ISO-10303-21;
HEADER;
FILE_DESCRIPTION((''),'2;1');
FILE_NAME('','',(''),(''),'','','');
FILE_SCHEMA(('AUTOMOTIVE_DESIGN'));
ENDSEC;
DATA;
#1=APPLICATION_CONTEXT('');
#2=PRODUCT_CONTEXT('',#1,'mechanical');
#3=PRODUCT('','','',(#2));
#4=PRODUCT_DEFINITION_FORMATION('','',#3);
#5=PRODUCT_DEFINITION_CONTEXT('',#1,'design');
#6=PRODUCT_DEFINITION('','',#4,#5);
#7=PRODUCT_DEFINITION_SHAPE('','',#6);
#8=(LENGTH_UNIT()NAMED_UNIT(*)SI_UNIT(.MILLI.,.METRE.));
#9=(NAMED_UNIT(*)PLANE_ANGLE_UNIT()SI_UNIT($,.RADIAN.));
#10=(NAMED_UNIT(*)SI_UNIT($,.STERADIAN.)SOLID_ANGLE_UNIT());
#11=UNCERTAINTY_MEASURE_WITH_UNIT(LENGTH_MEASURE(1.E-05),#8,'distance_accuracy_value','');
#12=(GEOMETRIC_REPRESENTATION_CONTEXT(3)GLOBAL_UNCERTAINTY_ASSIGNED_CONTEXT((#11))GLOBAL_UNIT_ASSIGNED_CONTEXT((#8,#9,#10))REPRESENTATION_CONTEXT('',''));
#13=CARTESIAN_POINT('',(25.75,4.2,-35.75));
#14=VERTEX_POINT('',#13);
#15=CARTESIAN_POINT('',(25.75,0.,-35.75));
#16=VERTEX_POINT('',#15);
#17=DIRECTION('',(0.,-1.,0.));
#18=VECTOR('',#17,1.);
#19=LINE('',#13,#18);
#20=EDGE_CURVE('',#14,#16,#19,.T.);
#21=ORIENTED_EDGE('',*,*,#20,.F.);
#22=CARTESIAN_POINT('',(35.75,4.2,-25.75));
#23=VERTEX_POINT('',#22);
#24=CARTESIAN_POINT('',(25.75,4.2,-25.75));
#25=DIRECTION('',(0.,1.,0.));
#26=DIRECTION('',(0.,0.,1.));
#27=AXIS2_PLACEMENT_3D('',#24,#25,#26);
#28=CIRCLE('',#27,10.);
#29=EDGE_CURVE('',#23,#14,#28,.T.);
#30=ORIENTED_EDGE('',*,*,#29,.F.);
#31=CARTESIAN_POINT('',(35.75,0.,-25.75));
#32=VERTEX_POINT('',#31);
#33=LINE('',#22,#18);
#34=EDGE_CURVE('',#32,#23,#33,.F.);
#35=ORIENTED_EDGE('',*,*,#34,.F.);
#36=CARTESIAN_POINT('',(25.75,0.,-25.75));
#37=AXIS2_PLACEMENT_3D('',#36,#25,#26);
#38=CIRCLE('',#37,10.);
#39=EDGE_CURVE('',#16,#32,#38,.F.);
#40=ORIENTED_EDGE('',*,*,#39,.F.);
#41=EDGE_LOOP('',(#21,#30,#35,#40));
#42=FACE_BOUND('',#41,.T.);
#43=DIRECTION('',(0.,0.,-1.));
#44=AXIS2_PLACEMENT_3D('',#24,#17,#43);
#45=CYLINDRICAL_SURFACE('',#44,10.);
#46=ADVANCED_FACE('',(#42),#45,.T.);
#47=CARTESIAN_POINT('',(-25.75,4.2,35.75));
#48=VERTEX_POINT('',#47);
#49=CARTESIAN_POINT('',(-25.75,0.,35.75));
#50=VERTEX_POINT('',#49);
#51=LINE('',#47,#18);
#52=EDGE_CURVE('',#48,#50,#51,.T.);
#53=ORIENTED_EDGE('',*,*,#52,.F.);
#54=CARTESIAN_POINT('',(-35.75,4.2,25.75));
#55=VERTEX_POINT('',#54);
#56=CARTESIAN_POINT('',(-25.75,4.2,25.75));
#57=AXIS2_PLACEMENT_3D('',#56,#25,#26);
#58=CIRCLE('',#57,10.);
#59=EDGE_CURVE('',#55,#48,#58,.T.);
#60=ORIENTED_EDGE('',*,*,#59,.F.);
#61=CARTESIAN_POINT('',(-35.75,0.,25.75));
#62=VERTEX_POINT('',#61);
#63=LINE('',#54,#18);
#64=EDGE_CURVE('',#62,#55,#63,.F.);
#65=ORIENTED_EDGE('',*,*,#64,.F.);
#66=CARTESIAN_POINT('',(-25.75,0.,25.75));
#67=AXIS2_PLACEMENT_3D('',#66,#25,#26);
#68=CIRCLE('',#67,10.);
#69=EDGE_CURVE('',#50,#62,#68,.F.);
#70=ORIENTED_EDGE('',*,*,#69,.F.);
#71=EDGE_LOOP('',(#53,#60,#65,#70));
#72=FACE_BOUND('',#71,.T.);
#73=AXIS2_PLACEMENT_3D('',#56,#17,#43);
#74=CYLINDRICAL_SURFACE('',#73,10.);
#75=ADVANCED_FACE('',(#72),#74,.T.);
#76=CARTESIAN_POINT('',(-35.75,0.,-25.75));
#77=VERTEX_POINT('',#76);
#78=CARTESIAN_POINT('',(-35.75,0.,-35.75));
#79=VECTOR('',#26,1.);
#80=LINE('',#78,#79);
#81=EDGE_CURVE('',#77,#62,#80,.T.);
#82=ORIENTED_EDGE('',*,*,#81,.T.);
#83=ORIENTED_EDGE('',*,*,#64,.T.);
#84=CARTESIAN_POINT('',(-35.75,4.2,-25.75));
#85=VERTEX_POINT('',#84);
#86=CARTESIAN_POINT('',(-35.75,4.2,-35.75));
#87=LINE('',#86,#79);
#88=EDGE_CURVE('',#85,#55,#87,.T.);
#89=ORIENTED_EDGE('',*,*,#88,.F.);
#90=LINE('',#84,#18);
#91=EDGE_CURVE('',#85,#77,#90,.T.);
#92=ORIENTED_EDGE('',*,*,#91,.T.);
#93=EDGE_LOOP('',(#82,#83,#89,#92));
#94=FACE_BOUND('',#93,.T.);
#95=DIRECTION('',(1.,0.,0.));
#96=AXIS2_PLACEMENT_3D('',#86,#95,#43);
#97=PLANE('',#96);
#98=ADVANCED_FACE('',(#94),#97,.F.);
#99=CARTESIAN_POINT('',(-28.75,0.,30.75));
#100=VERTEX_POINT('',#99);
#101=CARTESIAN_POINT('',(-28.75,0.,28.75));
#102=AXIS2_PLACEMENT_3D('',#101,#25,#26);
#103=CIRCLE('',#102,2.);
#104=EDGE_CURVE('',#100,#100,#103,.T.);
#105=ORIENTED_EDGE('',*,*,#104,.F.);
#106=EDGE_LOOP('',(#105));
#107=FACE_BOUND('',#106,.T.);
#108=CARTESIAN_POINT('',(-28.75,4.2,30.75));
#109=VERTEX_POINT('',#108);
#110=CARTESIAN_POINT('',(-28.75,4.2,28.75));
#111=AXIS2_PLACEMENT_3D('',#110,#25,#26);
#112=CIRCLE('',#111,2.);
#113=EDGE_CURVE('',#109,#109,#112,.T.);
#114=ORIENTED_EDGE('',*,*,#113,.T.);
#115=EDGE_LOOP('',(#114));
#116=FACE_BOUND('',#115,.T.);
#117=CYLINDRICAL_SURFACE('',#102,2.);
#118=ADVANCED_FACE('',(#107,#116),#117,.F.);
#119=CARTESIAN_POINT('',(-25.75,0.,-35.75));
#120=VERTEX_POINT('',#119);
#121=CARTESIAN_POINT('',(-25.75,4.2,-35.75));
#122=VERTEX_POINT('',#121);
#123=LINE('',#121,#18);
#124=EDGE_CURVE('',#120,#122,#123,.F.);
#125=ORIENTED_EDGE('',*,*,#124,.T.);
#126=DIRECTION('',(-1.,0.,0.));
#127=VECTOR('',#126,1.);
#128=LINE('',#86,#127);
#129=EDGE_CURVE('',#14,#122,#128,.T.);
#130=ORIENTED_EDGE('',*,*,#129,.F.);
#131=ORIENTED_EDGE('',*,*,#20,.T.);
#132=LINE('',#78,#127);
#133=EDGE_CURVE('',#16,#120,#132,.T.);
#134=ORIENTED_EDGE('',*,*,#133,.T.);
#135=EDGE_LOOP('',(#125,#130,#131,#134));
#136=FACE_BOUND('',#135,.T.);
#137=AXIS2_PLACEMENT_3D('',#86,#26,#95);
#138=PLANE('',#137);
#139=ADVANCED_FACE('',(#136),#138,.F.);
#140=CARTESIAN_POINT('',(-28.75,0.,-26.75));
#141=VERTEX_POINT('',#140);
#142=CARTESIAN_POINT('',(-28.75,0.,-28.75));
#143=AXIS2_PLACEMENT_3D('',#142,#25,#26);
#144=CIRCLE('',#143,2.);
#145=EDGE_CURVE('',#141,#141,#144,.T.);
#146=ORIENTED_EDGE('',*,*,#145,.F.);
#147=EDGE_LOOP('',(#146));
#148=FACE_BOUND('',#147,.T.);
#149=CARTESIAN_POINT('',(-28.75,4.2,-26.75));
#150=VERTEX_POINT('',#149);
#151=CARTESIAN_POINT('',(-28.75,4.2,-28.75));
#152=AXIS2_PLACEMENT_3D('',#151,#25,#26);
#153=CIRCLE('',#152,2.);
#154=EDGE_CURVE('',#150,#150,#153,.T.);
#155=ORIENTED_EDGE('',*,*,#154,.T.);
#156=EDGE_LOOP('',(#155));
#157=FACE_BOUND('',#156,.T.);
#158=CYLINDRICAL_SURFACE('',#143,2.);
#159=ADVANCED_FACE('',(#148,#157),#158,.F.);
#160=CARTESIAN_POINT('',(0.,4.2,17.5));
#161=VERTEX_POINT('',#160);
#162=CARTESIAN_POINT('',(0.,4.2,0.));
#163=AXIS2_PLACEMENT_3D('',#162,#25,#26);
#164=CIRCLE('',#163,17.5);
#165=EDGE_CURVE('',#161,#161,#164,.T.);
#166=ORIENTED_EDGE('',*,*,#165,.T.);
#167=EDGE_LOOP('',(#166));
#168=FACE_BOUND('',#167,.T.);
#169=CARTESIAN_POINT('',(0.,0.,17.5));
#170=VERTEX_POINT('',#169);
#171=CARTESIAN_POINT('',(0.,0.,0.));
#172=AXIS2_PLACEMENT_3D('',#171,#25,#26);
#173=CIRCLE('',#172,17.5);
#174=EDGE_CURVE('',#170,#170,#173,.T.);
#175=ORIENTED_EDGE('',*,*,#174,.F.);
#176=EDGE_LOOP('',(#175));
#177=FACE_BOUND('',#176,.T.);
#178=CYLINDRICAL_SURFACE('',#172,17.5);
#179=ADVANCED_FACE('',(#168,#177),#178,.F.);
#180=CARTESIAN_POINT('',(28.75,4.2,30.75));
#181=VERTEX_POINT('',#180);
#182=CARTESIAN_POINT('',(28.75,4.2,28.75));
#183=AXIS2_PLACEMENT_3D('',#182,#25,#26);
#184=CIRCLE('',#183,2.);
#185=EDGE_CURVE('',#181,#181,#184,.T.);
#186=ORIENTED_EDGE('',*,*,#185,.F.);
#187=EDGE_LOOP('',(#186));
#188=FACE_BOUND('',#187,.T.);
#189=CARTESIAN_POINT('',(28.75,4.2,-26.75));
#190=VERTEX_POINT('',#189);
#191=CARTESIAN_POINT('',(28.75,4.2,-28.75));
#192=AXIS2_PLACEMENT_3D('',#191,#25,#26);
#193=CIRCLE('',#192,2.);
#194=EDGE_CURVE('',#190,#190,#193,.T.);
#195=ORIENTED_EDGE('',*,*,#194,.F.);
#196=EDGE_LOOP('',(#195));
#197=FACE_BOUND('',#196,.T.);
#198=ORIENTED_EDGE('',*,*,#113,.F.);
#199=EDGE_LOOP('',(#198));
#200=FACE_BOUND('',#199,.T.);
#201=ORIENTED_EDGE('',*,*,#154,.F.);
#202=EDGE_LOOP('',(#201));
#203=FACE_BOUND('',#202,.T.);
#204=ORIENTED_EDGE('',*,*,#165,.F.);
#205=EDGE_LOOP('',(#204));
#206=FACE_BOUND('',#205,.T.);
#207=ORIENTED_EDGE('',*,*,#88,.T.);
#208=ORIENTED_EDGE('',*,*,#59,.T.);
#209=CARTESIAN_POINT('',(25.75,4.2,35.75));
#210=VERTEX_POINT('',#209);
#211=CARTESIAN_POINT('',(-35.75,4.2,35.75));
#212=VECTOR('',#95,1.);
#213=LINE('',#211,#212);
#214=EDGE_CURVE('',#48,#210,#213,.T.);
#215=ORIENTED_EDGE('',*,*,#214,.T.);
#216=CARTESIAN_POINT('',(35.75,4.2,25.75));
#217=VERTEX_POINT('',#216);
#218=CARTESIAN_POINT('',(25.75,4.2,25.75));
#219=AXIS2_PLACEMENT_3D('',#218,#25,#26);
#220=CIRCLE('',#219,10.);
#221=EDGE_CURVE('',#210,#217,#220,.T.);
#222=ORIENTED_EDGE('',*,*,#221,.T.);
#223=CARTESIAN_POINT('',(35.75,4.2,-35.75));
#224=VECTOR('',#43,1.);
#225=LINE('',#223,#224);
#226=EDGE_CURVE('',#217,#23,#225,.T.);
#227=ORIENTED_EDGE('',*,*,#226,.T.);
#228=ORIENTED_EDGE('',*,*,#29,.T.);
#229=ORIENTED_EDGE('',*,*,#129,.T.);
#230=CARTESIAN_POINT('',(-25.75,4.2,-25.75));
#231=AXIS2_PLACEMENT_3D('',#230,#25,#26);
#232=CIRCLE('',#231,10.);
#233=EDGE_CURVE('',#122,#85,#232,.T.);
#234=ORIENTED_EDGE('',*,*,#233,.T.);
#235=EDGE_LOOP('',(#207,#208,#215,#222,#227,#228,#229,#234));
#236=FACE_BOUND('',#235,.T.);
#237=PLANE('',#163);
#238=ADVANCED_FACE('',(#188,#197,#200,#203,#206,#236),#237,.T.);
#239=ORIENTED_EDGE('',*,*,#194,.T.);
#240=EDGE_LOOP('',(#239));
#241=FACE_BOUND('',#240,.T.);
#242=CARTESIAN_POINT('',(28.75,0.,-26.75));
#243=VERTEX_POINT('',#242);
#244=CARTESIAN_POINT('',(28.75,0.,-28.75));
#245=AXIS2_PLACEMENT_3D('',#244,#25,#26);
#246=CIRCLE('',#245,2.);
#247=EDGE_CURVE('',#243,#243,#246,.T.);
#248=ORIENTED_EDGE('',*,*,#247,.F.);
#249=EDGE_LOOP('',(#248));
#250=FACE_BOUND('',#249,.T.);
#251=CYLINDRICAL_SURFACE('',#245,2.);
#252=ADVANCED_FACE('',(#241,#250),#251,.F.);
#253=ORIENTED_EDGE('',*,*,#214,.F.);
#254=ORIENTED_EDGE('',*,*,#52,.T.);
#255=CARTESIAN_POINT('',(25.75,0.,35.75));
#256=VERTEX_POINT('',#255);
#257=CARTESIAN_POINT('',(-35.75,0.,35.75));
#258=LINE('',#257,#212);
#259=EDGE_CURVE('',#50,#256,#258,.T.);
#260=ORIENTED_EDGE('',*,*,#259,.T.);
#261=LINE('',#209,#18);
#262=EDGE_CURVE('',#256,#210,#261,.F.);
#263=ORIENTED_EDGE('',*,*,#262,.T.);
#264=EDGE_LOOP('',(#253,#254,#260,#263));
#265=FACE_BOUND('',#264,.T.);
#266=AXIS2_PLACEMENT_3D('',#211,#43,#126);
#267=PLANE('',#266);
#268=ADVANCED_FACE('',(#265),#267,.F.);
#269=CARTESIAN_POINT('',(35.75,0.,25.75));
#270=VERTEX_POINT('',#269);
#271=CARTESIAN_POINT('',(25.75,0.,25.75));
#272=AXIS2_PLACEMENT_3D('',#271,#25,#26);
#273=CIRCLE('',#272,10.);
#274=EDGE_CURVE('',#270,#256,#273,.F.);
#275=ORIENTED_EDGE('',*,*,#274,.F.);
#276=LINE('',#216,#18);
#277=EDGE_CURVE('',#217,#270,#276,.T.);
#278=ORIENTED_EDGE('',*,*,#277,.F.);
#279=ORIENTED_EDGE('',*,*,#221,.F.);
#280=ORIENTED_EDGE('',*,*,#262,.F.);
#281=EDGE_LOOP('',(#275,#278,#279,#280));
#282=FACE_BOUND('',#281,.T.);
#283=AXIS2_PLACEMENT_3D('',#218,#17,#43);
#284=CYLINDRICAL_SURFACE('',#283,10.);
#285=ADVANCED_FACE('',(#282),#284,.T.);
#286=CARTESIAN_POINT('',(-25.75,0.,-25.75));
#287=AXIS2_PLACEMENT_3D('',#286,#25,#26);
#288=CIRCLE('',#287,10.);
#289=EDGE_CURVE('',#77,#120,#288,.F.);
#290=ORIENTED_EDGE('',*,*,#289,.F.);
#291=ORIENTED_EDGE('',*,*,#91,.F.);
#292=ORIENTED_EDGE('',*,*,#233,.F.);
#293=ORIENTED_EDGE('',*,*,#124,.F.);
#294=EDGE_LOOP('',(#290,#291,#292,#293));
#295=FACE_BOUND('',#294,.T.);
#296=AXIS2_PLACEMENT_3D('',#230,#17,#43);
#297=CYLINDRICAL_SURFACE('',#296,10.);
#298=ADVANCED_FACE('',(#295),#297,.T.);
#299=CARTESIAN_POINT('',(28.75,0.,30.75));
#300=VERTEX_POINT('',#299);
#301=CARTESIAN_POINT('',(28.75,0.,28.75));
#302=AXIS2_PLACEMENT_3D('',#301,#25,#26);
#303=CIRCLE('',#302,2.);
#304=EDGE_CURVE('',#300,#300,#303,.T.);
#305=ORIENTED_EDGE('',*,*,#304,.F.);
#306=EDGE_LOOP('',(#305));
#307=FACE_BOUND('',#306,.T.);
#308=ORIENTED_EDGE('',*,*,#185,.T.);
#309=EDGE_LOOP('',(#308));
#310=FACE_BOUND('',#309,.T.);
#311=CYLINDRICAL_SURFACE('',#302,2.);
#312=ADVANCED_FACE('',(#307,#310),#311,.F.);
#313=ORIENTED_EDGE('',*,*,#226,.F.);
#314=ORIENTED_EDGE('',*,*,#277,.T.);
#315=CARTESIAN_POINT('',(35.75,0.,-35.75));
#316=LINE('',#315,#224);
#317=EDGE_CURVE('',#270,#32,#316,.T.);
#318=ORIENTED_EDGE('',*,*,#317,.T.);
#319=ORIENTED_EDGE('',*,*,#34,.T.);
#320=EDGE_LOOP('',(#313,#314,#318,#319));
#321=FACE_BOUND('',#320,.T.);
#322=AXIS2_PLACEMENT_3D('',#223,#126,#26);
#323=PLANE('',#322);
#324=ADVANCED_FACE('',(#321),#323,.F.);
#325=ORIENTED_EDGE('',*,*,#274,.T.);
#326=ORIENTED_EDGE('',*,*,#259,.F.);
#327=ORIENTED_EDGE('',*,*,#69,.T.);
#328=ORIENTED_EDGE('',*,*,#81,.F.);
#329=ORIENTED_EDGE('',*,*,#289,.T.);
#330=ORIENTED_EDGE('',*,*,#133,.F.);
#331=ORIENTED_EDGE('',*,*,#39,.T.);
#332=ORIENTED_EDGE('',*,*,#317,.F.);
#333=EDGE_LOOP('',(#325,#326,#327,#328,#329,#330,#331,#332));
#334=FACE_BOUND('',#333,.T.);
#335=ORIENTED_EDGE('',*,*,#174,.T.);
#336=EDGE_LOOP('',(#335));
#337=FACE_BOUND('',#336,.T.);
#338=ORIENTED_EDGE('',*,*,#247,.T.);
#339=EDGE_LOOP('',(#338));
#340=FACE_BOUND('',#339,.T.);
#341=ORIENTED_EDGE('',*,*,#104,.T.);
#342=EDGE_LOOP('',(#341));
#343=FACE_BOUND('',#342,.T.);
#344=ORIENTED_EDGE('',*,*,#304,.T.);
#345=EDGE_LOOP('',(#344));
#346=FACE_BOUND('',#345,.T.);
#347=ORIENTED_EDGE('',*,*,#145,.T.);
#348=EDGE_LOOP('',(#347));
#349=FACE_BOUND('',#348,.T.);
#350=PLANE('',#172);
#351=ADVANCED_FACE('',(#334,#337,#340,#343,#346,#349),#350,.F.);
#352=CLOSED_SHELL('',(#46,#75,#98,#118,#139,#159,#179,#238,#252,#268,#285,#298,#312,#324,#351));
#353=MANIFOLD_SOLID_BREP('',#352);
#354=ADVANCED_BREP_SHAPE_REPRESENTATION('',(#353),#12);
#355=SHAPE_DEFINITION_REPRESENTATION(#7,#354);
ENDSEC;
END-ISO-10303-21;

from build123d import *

# Parameters (mm, degrees)
SKETCH1_W           = 71.5
SKETCH1_H           = 71.5
BOSS_EXTRUDE1_DEPTH = 4.2
FILLET1_R           = 10
SKETCH2_R           = 17.5
CUT_EXTRUDE1_DEPTH  = 51.732287549
SKETCH3_R           = 2
CUT_EXTRUDE2_DEPTH  = 51.732287549


with BuildPart() as part:
    # Sketch1 → Boss-Extrude1 (new body)
    with BuildSketch(Plane(origin=(0, 0, 0), x_dir=(1, 0, 0), z_dir=(0, 1, 0))):
        Rectangle(SKETCH1_W, SKETCH1_H)
    extrude(amount=BOSS_EXTRUDE1_DEPTH)

    # Fillet1
    fillet1_edges = [part.edges().sort_by_distance(p)[0] for p in [
        (35.75, 2.1, 35.75),
        (-35.75, 2.1, 35.75),
        (-35.75, 2.1, -35.75),
        (35.75, 2.1, -35.75),
    ]]
    fillet(fillet1_edges, radius=FILLET1_R)

    # Sketch2 → Cut-Extrude1 (cut, through all)
    with BuildSketch(Plane(origin=(0, 4.2, 0), x_dir=(1, 0, 0), z_dir=(0, 1, 0))):
        with Locations(Location((0, 0, 0), (0, 0, 270))):
            Circle(SKETCH2_R)
    extrude(amount=-CUT_EXTRUDE1_DEPTH, mode=Mode.SUBTRACT)

    # Sketch3 → Cut-Extrude2 (cut, through all)
    with BuildSketch(Plane(origin=(0, 4.2, 0), x_dir=(1, 0, 0), z_dir=(0, 1, 0))):
        with Locations(Location((-28.75, 28.75, 0), (0, 0, 270))):
            Circle(SKETCH3_R)
        with Locations(Location((28.75, 28.75, 0), (0, 0, 270))):
            Circle(SKETCH3_R)
        with Locations(Location((-28.75, -28.75, 0), (0, 0, 270))):
            Circle(SKETCH3_R)
        with Locations(Location((28.75, -28.75, 0), (0, 0, 270))):
            Circle(SKETCH3_R)
    extrude(amount=-CUT_EXTRUDE2_DEPTH, mode=Mode.SUBTRACT)


solid = part.part
